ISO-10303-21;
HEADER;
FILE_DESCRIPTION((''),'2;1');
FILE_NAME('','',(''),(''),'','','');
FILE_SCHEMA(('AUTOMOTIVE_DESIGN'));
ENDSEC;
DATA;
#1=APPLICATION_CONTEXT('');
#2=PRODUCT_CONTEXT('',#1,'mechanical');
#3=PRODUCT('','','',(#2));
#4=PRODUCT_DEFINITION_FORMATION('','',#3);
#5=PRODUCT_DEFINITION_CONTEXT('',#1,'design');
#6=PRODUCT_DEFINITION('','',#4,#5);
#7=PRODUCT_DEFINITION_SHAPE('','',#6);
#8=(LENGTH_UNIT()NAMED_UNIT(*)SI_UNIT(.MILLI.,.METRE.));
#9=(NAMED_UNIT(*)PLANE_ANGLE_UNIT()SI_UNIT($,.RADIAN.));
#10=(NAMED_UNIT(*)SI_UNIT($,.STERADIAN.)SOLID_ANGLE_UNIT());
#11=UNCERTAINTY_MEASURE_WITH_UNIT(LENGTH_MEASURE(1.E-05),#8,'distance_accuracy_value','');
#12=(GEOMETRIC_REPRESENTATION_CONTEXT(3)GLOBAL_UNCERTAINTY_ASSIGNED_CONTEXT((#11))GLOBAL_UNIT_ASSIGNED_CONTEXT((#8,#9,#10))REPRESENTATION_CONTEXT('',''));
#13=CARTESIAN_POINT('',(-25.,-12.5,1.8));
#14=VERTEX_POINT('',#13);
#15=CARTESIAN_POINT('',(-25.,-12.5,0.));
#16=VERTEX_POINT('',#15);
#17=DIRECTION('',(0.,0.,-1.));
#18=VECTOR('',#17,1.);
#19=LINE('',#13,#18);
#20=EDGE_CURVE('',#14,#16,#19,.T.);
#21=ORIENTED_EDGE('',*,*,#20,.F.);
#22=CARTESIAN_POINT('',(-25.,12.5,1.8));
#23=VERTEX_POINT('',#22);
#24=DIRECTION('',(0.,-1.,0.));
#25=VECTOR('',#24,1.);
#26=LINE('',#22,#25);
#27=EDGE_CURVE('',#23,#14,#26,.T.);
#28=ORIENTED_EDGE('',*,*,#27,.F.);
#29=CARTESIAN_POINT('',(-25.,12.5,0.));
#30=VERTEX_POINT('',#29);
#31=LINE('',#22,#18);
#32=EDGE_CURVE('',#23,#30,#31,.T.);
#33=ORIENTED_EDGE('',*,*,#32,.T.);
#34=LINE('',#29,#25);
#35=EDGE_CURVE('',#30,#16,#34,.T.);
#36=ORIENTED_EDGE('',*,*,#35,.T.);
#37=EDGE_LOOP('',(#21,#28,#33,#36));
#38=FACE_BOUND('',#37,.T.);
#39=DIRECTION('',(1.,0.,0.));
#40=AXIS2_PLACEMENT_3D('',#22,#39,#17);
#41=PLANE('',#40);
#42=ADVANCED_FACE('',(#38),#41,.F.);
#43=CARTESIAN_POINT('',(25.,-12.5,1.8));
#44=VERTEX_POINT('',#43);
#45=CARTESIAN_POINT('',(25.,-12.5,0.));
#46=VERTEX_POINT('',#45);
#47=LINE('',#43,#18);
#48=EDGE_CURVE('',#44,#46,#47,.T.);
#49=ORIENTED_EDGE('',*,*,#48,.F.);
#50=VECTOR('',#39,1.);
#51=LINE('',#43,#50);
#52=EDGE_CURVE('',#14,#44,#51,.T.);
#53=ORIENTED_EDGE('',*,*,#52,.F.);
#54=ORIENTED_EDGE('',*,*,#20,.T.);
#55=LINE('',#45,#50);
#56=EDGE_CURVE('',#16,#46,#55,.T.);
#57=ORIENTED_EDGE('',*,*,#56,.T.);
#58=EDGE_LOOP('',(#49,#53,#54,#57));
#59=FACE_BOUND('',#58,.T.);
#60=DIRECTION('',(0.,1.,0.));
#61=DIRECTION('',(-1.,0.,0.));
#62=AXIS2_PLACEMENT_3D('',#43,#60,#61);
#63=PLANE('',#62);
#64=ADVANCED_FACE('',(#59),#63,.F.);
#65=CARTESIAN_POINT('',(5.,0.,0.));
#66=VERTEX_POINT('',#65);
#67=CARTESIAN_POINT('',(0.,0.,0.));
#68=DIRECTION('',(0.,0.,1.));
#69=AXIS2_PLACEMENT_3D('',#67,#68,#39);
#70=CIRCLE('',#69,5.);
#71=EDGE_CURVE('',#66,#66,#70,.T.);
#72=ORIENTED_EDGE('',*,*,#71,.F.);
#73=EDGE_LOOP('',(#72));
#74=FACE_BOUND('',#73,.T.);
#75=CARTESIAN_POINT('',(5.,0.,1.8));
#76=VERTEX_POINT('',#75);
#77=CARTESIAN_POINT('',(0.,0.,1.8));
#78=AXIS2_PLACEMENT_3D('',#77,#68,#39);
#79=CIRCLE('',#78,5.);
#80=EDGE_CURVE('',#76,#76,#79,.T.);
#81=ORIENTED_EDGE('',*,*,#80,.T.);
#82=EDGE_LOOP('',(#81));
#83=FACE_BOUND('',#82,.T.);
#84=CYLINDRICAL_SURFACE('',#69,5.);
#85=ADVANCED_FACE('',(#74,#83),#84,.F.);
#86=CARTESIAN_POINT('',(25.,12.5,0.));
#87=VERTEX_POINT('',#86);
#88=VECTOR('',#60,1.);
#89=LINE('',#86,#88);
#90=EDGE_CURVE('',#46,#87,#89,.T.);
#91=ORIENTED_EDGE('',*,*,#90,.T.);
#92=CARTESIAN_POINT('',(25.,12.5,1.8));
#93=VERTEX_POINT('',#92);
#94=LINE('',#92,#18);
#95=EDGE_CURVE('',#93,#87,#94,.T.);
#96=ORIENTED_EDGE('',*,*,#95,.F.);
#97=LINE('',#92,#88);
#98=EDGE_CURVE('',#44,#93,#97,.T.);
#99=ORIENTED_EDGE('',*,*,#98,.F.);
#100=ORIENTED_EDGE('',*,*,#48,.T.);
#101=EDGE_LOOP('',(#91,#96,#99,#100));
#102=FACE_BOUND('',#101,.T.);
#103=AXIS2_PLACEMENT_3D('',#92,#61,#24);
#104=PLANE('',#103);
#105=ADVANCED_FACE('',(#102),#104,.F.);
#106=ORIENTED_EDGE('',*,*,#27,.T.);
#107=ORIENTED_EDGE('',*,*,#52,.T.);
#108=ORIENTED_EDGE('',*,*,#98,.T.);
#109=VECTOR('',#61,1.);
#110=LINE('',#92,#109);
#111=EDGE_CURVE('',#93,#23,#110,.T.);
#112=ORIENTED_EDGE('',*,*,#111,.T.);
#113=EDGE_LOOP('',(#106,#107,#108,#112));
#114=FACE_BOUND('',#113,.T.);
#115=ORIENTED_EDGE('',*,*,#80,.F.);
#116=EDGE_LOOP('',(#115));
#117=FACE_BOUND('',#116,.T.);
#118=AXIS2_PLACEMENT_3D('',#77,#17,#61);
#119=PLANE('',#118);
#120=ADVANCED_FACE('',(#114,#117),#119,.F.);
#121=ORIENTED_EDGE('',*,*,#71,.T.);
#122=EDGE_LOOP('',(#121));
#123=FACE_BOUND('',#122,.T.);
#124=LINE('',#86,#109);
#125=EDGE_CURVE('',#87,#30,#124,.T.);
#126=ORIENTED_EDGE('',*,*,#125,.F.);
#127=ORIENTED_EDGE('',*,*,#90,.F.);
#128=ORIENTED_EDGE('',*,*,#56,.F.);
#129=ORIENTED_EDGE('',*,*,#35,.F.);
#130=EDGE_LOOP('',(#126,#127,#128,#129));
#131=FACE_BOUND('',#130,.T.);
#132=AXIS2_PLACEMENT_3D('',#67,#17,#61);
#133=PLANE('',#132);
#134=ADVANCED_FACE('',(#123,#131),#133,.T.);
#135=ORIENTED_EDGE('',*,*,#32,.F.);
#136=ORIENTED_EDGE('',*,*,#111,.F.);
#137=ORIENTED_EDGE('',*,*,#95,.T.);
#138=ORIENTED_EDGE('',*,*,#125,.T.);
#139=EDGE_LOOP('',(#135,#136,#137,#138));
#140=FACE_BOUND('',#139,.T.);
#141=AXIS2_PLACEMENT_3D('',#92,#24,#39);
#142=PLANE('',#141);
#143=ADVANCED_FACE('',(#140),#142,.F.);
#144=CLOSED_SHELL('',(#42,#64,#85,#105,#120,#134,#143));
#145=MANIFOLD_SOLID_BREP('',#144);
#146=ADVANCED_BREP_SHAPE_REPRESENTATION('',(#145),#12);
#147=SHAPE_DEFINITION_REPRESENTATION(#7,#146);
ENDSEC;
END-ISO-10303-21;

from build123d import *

# Parameters (mm, degrees)
ESBO_O1_W                = 50
ESBO_O1_H                = 25
RESSALTO_EXTRUS_O1_DEPTH = 1.8
ESBO_O2_R                = 5
CORTE_EXTRUS_O1_DEPTH    = 1.8


with BuildPart() as part:
    # Esboço1 → Ressalto-extrusão1 (new body)
    with BuildSketch(Plane.XY):
        Rectangle(ESBO_O1_W, ESBO_O1_H)
    extrude(amount=RESSALTO_EXTRUS_O1_DEPTH)

    # Esboço2 → Corte-extrusão1 (cut)
    with BuildSketch(Plane.XY.offset(1.8)):
        Circle(ESBO_O2_R)
    extrude(amount=-CORTE_EXTRUS_O1_DEPTH, mode=Mode.SUBTRACT)


solid = part.part
